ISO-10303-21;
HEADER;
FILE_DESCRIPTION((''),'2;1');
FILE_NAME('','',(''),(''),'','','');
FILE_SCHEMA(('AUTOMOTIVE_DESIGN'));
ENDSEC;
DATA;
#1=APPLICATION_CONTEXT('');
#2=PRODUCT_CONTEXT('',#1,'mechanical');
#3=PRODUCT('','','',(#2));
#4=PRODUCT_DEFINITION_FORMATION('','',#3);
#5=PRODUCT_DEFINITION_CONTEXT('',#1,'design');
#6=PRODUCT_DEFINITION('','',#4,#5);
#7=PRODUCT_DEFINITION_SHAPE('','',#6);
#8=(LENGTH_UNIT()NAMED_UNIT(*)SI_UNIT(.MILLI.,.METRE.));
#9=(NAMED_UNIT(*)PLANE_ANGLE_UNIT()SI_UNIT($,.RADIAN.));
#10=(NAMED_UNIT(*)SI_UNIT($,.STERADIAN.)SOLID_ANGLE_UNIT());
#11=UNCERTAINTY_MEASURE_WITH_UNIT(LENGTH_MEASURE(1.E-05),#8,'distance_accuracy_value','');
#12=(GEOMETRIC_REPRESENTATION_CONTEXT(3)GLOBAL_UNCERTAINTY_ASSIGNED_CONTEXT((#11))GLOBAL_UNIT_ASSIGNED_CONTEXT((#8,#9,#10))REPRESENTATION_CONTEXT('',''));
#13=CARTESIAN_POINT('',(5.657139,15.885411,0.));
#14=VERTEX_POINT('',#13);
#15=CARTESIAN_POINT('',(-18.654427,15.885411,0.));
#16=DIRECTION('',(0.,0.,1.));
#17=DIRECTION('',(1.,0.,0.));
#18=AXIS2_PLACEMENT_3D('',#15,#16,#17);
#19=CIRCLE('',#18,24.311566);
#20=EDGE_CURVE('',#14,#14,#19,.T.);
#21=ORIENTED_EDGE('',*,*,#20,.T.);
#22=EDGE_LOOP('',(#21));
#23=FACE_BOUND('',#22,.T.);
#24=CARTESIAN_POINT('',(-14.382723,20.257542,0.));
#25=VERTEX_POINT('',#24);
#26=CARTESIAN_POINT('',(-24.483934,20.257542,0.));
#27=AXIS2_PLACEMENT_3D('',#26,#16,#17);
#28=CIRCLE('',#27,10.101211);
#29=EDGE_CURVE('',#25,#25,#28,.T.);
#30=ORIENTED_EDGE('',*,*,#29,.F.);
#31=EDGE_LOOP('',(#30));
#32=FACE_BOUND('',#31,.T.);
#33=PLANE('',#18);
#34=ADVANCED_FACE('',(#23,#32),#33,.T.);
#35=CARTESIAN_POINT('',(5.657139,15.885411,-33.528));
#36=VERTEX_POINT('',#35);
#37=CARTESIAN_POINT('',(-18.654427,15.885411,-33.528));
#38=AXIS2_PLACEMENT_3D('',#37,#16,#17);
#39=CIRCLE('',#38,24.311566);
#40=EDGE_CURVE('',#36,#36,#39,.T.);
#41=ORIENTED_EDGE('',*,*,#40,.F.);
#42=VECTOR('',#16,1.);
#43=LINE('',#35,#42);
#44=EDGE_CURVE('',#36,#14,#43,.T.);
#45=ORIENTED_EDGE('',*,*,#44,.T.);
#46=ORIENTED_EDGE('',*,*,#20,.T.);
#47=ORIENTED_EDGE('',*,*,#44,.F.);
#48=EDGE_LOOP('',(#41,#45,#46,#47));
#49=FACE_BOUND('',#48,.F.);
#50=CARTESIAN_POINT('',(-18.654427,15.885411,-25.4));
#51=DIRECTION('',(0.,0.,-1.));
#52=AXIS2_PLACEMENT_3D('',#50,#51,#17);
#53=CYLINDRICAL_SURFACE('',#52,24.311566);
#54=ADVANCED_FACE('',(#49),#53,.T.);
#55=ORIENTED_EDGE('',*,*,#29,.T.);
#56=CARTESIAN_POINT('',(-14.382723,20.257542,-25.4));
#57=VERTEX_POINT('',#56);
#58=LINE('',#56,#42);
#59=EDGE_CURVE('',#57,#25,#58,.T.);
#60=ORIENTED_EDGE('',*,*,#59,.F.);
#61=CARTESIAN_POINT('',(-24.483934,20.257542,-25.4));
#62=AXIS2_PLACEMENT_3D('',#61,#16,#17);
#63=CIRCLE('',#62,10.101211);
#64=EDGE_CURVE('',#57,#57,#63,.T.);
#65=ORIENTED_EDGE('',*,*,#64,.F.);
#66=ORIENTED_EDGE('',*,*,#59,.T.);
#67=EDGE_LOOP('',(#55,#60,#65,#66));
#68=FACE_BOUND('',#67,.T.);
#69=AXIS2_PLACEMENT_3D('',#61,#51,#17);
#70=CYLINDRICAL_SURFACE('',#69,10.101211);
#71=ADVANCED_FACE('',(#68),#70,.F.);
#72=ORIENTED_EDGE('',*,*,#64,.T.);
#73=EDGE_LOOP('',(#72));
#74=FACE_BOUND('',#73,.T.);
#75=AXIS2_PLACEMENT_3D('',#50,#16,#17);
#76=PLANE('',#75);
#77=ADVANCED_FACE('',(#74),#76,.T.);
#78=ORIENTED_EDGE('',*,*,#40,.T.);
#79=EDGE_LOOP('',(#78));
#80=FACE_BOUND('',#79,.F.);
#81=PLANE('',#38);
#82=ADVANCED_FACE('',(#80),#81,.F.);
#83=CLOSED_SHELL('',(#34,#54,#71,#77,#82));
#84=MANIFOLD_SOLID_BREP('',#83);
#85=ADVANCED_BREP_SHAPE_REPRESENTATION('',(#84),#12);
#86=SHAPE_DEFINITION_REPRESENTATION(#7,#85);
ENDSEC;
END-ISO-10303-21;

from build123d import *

# Parameters (mm, degrees)
F0_R      = 24.311566
F1_DEPTH  = 33.528
F2_R      = 24.311566
F2_R_2    = 6.595336
F1_FACE_R = 24.311566
F3_DEPTH  = 25.4
F4_R      = 24.311566
F4_R_2    = 10.101211
F5_DEPTH  = 25.4


with BuildPart() as f1:
    # F0 (on Top) → F1 (new body)
    with BuildSketch(Plane.XY):
        with Locations((-18.654427, 15.885411)):
            Circle(F0_R)
    extrude(amount=-F1_DEPTH)

    # F2 (on face) + F1_face (on face) → F3 (cut)
    with BuildSketch(Plane.XY):
        with Locations((-18.654427, 15.885411)):
            Circle(F2_R)
        with Locations((-23.900984, 19.966066)):
            Circle(F2_R_2, mode=Mode.SUBTRACT)
        with Locations((-23.900984, 19.966066)):
            Circle(F2_R_2)
    with BuildSketch(Plane(origin=(-18.654427, 15.885411, 0), x_dir=(1, 0, 0), z_dir=(0, 0, 1))):
        Circle(F1_FACE_R)
    extrude(amount=-F3_DEPTH, mode=Mode.SUBTRACT)

    # F4 (on face) → F5 (join)
    with BuildSketch(Plane.XY.offset(-25.4)):
        with Locations((-18.654427, 15.885411)):
            Circle(F4_R)
        with Locations((-24.483934, 20.257542)):
            Circle(F4_R_2, mode=Mode.SUBTRACT)
    extrude(amount=F5_DEPTH)


solid = f1.part
